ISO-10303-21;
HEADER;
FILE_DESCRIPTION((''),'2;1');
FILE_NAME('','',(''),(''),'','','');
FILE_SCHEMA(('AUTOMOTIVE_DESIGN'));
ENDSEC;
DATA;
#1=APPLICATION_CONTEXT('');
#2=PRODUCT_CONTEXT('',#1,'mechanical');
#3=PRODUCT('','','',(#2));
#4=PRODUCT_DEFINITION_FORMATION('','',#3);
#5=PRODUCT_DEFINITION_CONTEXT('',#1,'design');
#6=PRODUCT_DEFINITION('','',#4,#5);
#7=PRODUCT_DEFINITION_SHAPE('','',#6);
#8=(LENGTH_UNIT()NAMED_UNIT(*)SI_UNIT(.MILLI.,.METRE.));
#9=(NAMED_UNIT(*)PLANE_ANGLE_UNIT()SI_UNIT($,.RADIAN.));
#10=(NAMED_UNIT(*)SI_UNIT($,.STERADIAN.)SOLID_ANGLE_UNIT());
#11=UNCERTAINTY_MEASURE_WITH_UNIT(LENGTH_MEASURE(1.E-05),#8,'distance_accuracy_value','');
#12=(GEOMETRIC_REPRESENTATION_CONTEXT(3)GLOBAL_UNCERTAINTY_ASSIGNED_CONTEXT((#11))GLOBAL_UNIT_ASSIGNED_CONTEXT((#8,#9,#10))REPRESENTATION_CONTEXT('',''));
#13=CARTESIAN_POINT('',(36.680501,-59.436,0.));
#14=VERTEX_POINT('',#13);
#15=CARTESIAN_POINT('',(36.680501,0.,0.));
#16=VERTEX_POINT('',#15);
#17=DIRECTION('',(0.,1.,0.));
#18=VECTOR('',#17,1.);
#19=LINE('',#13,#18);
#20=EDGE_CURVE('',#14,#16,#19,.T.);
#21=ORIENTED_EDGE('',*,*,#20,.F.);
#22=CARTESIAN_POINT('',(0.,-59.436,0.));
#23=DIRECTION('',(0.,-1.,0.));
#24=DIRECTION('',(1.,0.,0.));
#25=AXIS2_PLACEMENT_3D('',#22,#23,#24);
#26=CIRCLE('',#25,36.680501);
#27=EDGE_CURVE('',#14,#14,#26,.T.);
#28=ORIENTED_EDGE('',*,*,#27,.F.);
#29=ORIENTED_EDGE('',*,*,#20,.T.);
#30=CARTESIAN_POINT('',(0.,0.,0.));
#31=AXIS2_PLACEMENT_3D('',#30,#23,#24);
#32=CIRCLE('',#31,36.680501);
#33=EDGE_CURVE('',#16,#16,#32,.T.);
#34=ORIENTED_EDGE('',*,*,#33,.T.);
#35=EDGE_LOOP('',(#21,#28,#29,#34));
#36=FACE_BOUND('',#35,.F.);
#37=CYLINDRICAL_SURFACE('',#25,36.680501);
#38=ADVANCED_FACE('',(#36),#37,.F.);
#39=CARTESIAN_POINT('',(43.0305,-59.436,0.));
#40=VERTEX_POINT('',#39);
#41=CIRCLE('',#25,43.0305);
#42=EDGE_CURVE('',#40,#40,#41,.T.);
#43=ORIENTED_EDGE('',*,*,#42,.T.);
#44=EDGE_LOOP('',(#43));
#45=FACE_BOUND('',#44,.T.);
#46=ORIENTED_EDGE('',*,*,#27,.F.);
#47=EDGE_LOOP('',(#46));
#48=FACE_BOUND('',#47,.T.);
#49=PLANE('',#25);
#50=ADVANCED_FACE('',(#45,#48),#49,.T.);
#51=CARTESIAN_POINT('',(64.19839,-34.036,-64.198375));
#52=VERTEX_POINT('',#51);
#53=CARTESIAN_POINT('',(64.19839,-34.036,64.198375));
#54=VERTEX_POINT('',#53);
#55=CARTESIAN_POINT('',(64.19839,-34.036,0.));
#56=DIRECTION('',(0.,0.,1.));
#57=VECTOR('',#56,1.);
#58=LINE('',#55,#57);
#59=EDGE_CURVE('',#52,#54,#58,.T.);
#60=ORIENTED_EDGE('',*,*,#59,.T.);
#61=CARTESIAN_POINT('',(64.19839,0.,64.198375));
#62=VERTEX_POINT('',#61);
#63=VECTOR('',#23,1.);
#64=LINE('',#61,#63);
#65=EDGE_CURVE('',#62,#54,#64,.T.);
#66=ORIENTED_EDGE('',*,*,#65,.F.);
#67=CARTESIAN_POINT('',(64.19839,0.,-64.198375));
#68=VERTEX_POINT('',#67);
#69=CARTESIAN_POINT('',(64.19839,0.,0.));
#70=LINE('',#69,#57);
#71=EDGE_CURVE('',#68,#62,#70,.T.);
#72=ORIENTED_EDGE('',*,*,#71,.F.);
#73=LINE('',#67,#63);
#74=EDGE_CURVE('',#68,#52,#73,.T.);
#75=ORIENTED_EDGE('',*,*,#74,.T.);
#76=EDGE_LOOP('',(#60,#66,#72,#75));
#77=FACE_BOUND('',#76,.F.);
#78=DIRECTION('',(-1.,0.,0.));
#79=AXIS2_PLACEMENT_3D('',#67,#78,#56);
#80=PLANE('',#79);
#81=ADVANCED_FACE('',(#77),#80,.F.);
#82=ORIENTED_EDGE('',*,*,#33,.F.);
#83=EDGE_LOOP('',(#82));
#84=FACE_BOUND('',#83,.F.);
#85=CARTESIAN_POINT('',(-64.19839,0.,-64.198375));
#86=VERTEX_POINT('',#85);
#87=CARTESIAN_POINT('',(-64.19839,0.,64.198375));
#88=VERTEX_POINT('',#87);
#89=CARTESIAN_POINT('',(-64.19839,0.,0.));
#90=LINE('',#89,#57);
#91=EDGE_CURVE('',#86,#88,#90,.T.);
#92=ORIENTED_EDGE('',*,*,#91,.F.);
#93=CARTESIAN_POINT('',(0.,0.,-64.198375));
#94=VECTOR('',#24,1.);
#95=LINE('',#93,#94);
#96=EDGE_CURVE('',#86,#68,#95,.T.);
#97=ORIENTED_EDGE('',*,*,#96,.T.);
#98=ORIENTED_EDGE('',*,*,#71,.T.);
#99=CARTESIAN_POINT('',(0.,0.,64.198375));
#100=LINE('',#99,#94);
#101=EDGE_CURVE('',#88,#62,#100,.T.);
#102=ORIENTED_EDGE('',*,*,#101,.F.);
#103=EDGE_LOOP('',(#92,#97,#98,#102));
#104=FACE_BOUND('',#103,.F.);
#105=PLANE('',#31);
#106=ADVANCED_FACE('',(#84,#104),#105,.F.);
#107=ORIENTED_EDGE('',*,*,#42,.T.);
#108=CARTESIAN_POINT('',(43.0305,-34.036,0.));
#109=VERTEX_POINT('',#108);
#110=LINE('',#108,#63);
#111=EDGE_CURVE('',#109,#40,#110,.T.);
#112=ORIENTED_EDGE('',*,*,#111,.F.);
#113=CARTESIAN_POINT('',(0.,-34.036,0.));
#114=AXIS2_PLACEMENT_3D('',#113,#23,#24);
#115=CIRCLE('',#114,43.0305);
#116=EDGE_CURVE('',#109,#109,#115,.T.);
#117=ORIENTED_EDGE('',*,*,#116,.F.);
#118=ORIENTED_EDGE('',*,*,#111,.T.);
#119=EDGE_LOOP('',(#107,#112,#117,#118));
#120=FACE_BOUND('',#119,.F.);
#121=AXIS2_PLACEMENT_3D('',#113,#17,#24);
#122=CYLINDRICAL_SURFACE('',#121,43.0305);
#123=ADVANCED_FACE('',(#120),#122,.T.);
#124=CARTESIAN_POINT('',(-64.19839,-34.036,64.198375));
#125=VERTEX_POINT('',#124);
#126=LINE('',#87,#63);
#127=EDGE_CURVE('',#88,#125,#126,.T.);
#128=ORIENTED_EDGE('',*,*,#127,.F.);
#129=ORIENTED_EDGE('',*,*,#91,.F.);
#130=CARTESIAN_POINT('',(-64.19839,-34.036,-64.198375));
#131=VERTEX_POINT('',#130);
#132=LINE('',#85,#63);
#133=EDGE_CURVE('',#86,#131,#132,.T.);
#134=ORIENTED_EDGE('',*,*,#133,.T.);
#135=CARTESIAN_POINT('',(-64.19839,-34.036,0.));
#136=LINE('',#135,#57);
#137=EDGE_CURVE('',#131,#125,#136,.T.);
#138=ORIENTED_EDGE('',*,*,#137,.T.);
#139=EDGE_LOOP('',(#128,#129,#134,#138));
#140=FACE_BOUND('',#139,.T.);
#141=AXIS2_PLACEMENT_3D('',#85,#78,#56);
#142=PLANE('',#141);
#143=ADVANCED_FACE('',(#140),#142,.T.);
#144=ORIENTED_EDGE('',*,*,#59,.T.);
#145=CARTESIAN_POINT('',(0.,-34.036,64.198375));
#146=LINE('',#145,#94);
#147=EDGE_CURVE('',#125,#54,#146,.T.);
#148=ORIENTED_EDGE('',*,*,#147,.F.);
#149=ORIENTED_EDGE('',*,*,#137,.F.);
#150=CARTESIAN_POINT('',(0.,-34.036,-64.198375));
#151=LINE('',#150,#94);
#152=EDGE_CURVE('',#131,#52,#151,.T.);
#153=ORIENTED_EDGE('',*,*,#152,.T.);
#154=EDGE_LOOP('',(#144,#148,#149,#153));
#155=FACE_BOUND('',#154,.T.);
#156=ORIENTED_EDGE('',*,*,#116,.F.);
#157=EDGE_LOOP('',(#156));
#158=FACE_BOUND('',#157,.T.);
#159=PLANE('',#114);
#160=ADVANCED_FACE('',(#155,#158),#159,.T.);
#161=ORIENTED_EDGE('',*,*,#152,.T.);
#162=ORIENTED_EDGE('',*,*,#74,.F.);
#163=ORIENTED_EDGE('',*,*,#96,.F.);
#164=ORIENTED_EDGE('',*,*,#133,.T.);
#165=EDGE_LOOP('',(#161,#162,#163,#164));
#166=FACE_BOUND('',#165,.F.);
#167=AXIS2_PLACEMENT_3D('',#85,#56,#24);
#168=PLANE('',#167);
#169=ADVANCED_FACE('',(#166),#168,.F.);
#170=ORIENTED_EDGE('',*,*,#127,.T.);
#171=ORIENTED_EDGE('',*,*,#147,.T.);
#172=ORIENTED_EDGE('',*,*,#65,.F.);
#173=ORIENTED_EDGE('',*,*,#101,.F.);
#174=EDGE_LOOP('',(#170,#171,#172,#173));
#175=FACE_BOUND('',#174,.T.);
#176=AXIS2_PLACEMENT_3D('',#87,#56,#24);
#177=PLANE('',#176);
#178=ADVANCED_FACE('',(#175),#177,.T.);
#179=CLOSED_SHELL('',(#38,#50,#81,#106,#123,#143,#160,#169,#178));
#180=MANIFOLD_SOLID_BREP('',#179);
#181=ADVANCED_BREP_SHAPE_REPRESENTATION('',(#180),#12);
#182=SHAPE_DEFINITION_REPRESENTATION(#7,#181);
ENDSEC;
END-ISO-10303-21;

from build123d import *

# Parameters (mm, degrees)
F0_W     = 128.39678
F0_H     = 128.39675
F1_DEPTH = 34.036
F2_R     = 43.0305
F3_DEPTH = 25.4
F4_R     = 36.680501
F5_DEPTH = 94.742


with BuildPart() as f1:
    # F0 (on Front) → F1 (new body)
    with BuildSketch(Plane.XZ):
        Rectangle(F0_W, F0_H)
    extrude(amount=F1_DEPTH)

    # F2 (on face) → F3 (join)
    with BuildSketch(Plane.XZ.offset(34.036)):
        Circle(F2_R)
    extrude(amount=F3_DEPTH)

    # F4 (on face) → F5 (cut)
    with BuildSketch(Plane.XZ.offset(59.436)):
        Circle(F4_R)
    extrude(amount=-F5_DEPTH, mode=Mode.SUBTRACT)


solid = f1.part
